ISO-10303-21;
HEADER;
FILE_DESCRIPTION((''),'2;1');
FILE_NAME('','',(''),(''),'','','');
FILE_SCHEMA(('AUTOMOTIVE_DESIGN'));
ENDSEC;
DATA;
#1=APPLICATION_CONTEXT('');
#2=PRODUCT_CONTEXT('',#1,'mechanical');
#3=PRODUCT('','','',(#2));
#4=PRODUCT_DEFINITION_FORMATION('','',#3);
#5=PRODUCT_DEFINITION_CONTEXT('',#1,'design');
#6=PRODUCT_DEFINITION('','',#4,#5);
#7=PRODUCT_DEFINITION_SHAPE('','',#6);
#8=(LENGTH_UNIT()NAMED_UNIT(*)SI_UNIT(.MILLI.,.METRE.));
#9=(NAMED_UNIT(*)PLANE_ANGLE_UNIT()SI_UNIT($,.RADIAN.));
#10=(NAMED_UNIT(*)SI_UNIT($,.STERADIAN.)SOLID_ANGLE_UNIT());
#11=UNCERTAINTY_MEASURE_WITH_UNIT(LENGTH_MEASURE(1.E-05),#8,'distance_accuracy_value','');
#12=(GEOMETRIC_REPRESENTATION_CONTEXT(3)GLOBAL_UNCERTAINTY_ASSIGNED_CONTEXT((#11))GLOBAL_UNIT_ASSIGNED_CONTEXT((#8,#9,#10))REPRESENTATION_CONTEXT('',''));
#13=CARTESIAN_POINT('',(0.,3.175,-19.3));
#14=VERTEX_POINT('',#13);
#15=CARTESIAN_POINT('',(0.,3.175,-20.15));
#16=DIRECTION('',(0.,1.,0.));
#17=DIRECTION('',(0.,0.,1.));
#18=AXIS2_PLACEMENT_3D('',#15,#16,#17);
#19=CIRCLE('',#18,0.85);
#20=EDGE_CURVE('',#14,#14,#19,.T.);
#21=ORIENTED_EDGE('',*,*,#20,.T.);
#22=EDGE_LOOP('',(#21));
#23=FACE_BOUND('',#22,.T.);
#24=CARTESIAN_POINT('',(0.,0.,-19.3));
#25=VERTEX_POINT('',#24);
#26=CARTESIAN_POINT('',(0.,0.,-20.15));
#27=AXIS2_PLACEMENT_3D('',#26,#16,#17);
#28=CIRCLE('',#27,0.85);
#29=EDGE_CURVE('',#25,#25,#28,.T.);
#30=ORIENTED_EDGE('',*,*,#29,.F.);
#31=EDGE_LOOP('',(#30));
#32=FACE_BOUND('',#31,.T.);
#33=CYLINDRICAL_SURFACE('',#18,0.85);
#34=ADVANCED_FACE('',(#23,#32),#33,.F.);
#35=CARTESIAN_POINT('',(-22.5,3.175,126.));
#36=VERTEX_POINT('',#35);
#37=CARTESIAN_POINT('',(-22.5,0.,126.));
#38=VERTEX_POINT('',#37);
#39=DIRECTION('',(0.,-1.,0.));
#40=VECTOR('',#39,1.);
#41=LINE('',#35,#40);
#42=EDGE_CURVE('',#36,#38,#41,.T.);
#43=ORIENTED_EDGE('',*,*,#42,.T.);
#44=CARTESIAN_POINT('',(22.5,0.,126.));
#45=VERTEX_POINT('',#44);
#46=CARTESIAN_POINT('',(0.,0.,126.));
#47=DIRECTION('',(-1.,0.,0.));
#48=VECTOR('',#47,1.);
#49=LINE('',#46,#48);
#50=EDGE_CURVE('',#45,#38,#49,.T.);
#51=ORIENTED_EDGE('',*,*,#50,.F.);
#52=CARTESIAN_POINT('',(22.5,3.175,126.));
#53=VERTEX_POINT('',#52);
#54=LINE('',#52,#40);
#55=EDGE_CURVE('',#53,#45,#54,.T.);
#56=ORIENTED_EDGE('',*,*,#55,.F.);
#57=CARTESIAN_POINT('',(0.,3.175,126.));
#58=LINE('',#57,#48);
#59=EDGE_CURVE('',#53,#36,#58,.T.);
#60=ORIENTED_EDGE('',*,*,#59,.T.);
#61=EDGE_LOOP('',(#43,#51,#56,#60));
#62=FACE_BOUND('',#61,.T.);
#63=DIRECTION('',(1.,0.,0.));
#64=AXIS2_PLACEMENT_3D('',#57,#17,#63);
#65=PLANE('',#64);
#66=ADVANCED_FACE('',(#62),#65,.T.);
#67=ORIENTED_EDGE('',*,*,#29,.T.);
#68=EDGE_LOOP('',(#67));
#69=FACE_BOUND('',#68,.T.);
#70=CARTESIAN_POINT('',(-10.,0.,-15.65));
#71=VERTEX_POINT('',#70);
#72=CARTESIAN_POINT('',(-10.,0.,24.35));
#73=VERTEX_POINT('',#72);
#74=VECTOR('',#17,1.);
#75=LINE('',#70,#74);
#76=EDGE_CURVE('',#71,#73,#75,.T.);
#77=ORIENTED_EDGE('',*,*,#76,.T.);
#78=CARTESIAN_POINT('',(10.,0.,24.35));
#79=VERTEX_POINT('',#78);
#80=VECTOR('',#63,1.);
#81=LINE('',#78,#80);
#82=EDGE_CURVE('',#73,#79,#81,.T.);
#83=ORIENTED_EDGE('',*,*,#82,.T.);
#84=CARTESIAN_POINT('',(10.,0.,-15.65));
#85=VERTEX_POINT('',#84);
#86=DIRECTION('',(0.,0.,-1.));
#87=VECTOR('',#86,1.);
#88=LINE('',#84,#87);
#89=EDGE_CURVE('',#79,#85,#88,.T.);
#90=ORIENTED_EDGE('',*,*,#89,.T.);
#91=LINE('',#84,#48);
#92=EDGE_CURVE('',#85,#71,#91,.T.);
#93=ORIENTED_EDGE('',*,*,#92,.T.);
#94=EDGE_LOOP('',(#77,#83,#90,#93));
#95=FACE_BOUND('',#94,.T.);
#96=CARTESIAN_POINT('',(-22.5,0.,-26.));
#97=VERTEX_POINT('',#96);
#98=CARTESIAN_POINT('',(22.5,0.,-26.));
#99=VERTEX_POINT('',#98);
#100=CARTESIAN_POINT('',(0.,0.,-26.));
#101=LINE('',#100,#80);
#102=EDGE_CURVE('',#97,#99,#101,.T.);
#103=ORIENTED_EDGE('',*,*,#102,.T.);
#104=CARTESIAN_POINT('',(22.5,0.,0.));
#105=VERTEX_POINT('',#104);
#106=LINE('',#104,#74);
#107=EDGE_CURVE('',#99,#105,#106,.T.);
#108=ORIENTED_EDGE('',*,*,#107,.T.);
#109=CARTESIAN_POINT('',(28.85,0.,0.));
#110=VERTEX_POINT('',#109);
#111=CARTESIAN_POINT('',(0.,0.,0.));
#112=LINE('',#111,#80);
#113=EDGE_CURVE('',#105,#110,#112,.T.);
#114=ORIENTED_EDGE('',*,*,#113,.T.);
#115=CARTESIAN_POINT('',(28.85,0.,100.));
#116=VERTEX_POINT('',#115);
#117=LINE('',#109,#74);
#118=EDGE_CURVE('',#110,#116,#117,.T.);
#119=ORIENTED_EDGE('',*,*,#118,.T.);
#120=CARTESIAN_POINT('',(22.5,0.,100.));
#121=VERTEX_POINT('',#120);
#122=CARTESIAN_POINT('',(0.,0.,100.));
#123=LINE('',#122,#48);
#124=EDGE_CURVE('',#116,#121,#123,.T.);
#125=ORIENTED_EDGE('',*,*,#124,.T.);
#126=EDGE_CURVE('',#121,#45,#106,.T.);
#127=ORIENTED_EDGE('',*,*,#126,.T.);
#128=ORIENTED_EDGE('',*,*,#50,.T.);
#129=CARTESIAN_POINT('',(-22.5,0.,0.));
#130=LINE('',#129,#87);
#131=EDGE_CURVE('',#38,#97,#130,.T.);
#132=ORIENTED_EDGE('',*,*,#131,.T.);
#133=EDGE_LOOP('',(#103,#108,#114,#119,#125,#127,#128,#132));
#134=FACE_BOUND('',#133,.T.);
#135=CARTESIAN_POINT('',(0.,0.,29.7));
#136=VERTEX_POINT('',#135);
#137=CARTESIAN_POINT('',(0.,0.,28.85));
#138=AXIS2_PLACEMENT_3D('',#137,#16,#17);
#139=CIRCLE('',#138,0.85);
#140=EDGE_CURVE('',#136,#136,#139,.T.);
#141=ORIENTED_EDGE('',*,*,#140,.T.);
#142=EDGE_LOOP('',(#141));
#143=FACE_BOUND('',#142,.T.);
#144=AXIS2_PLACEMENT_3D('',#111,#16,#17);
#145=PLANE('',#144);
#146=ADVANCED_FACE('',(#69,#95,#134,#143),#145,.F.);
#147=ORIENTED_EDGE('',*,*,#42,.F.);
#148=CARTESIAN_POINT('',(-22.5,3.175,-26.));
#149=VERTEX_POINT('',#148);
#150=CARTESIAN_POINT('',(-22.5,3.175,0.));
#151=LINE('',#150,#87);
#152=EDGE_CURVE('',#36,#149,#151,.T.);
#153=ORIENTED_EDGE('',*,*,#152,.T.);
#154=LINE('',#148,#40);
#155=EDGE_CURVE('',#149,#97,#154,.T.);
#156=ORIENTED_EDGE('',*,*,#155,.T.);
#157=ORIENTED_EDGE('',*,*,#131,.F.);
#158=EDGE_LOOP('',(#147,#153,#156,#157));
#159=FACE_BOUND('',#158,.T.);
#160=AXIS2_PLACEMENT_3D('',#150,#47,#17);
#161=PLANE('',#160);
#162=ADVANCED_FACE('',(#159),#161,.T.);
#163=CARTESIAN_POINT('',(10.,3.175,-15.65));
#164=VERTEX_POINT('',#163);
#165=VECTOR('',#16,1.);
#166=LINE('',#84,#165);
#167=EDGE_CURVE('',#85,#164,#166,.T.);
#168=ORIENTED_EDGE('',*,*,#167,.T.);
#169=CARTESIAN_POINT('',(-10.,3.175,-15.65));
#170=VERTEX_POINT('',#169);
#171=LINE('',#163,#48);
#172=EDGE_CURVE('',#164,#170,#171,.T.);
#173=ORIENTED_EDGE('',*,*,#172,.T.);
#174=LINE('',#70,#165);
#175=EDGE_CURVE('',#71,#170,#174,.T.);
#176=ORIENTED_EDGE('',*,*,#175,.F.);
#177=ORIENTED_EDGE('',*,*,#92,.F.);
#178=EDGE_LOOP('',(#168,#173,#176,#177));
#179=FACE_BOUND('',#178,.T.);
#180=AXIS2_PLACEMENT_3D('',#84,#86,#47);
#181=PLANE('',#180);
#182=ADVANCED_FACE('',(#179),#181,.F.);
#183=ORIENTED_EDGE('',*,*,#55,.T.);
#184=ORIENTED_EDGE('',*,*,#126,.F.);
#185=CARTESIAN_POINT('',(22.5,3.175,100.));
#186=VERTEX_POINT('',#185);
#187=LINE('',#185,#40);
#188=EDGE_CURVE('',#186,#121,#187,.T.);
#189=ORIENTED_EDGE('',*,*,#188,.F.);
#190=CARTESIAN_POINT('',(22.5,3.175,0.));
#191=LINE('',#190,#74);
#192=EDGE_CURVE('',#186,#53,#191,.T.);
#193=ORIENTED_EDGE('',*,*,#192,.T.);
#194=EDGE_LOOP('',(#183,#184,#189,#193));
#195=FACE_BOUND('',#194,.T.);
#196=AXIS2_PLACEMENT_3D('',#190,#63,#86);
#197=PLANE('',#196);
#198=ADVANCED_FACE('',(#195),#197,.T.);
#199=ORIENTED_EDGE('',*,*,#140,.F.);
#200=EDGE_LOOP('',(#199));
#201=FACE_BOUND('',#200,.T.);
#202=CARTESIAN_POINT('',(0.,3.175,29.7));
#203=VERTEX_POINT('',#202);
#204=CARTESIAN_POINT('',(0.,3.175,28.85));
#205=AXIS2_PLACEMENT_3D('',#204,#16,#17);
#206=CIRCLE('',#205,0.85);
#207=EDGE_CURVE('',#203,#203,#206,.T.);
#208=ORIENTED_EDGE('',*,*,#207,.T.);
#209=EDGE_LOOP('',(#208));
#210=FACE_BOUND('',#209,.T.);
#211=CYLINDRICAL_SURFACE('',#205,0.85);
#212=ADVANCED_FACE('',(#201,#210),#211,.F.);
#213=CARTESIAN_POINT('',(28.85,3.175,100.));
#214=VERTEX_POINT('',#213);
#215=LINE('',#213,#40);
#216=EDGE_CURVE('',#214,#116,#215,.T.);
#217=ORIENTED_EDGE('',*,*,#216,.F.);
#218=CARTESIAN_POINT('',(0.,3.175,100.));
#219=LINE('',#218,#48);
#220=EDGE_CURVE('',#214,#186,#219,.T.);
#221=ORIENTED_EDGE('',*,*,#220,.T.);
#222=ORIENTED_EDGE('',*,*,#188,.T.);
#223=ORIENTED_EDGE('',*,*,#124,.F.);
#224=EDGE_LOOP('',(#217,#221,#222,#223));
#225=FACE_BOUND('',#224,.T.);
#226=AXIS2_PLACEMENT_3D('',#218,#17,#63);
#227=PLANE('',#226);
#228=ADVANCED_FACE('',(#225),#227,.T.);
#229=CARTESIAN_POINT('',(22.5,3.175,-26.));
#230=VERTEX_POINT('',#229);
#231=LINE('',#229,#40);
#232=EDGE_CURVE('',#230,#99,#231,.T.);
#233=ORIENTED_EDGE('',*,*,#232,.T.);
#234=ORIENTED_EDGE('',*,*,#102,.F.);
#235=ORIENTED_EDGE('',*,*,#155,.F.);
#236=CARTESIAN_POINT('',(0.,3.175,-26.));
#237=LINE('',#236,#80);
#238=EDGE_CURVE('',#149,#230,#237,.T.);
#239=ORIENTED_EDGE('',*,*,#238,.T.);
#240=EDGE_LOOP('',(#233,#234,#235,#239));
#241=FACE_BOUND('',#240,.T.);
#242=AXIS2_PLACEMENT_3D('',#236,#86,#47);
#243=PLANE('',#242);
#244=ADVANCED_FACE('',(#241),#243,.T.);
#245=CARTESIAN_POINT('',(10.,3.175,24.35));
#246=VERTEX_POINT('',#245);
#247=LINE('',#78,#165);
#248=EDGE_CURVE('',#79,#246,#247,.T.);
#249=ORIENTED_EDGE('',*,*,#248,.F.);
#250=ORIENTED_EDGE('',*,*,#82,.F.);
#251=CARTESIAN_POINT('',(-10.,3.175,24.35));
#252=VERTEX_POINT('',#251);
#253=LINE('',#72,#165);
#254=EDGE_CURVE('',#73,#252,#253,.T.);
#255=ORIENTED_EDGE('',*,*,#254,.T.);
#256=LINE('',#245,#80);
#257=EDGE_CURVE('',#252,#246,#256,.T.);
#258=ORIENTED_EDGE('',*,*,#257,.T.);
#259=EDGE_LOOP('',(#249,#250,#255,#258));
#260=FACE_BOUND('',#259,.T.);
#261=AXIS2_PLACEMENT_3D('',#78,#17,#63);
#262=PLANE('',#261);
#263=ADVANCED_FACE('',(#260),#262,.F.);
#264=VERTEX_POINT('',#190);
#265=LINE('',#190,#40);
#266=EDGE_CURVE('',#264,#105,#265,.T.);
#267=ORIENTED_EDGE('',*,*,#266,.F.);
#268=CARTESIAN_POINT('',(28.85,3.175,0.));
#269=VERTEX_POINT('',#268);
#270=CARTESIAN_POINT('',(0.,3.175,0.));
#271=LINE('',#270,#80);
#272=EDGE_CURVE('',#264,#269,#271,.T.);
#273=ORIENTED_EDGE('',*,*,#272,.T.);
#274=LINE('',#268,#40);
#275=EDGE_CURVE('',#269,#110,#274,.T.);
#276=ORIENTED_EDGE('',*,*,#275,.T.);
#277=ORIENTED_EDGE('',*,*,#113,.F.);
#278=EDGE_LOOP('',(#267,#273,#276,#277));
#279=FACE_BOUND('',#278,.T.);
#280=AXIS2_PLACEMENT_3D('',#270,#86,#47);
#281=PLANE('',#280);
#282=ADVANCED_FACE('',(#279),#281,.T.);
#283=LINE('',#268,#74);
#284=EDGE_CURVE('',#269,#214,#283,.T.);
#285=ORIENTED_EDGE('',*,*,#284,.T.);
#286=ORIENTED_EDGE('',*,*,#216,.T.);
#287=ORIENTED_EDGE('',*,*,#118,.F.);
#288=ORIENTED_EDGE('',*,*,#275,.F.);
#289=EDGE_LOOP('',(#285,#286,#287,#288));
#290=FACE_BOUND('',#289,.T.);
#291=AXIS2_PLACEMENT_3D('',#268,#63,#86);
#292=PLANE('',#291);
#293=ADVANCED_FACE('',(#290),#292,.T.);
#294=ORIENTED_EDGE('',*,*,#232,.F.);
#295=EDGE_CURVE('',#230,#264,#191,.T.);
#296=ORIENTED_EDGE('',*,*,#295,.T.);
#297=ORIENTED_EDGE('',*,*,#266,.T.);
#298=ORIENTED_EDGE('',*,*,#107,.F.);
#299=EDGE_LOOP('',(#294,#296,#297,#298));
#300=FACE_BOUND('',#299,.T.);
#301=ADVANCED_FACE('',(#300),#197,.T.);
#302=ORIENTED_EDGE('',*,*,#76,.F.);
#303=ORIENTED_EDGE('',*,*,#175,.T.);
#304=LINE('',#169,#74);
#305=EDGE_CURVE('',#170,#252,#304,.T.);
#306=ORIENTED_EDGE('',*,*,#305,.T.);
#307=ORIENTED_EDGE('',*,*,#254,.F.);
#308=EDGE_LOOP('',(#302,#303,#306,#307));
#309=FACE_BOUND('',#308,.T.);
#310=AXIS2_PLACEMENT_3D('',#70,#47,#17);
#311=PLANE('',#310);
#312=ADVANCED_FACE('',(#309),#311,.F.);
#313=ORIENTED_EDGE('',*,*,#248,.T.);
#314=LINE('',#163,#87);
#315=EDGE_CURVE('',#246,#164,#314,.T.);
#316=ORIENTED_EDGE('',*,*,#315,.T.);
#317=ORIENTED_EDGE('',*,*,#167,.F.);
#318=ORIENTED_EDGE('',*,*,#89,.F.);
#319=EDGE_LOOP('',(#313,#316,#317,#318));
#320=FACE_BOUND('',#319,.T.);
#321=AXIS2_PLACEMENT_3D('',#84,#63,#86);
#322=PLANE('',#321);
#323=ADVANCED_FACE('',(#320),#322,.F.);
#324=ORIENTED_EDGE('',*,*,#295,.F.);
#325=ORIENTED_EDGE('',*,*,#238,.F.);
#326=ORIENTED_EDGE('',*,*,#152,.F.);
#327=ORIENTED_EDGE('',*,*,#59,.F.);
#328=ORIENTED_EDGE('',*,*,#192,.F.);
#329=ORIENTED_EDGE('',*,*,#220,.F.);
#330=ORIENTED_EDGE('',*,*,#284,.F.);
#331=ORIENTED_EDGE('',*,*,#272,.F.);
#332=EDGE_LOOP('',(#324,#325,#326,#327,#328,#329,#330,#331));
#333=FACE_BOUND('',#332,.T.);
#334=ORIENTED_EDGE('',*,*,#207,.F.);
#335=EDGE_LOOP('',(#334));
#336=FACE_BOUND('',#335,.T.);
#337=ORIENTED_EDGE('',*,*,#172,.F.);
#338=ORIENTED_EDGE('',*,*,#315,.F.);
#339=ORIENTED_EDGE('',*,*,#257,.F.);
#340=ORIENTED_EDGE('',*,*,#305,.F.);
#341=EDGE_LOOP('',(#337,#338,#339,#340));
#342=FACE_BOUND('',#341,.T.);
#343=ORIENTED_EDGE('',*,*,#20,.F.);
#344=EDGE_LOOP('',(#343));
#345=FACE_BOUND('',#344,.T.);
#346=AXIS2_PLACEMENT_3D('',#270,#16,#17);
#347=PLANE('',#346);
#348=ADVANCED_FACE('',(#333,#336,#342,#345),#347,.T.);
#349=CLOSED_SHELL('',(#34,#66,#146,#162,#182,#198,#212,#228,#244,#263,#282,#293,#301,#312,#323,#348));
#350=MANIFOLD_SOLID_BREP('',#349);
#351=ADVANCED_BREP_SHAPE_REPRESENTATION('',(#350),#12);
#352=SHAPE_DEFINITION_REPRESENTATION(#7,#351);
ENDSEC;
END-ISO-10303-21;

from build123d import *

# Parameters (mm, degrees)
BOSS_EXTRUDE1_DEPTH    = 3.175
SKETCH2_W              = 20
SKETCH2_H              = 40
CUT_EXTRUDE1_DEPTH     = 130.299664056
M1_6_CLEARANCE_HOLE1_D = 1.7


with BuildPart() as part:
    # Sketch1 → Boss-Extrude1 (new body)
    with BuildSketch(Plane(origin=(0, 0, 0), x_dir=(1, 0, 0), z_dir=(0, 1, 0))):
        Polygon((-22.5, 0), (-22.5, 26), (22.5, 26), (22.5, 0), (28.85, 0), (28.85, -100), (22.5, -100), (22.5, -126), (-22.5, -126), (-22.5, -100), align=None)
    extrude(amount=BOSS_EXTRUDE1_DEPTH)

    # Sketch2 → Cut-Extrude1 (cut, through all)
    with BuildSketch(Plane(origin=(0, 3.175, 0), x_dir=(1, 0, 0), z_dir=(0, 1, 0))):
        with Locations((0, -4.35)):
            Rectangle(SKETCH2_W, SKETCH2_H)
    extrude(amount=-CUT_EXTRUDE1_DEPTH, mode=Mode.SUBTRACT)

    # M1.6 Clearance Hole1 (through all)
    with Locations(Plane(origin=(0, 3.175, 0), x_dir=(1, 0, 0), z_dir=(0, 1, 0))):
        with Locations((0, -28.85), (0, 20.15)):
            Hole(M1_6_CLEARANCE_HOLE1_D / 2)


solid = part.part
